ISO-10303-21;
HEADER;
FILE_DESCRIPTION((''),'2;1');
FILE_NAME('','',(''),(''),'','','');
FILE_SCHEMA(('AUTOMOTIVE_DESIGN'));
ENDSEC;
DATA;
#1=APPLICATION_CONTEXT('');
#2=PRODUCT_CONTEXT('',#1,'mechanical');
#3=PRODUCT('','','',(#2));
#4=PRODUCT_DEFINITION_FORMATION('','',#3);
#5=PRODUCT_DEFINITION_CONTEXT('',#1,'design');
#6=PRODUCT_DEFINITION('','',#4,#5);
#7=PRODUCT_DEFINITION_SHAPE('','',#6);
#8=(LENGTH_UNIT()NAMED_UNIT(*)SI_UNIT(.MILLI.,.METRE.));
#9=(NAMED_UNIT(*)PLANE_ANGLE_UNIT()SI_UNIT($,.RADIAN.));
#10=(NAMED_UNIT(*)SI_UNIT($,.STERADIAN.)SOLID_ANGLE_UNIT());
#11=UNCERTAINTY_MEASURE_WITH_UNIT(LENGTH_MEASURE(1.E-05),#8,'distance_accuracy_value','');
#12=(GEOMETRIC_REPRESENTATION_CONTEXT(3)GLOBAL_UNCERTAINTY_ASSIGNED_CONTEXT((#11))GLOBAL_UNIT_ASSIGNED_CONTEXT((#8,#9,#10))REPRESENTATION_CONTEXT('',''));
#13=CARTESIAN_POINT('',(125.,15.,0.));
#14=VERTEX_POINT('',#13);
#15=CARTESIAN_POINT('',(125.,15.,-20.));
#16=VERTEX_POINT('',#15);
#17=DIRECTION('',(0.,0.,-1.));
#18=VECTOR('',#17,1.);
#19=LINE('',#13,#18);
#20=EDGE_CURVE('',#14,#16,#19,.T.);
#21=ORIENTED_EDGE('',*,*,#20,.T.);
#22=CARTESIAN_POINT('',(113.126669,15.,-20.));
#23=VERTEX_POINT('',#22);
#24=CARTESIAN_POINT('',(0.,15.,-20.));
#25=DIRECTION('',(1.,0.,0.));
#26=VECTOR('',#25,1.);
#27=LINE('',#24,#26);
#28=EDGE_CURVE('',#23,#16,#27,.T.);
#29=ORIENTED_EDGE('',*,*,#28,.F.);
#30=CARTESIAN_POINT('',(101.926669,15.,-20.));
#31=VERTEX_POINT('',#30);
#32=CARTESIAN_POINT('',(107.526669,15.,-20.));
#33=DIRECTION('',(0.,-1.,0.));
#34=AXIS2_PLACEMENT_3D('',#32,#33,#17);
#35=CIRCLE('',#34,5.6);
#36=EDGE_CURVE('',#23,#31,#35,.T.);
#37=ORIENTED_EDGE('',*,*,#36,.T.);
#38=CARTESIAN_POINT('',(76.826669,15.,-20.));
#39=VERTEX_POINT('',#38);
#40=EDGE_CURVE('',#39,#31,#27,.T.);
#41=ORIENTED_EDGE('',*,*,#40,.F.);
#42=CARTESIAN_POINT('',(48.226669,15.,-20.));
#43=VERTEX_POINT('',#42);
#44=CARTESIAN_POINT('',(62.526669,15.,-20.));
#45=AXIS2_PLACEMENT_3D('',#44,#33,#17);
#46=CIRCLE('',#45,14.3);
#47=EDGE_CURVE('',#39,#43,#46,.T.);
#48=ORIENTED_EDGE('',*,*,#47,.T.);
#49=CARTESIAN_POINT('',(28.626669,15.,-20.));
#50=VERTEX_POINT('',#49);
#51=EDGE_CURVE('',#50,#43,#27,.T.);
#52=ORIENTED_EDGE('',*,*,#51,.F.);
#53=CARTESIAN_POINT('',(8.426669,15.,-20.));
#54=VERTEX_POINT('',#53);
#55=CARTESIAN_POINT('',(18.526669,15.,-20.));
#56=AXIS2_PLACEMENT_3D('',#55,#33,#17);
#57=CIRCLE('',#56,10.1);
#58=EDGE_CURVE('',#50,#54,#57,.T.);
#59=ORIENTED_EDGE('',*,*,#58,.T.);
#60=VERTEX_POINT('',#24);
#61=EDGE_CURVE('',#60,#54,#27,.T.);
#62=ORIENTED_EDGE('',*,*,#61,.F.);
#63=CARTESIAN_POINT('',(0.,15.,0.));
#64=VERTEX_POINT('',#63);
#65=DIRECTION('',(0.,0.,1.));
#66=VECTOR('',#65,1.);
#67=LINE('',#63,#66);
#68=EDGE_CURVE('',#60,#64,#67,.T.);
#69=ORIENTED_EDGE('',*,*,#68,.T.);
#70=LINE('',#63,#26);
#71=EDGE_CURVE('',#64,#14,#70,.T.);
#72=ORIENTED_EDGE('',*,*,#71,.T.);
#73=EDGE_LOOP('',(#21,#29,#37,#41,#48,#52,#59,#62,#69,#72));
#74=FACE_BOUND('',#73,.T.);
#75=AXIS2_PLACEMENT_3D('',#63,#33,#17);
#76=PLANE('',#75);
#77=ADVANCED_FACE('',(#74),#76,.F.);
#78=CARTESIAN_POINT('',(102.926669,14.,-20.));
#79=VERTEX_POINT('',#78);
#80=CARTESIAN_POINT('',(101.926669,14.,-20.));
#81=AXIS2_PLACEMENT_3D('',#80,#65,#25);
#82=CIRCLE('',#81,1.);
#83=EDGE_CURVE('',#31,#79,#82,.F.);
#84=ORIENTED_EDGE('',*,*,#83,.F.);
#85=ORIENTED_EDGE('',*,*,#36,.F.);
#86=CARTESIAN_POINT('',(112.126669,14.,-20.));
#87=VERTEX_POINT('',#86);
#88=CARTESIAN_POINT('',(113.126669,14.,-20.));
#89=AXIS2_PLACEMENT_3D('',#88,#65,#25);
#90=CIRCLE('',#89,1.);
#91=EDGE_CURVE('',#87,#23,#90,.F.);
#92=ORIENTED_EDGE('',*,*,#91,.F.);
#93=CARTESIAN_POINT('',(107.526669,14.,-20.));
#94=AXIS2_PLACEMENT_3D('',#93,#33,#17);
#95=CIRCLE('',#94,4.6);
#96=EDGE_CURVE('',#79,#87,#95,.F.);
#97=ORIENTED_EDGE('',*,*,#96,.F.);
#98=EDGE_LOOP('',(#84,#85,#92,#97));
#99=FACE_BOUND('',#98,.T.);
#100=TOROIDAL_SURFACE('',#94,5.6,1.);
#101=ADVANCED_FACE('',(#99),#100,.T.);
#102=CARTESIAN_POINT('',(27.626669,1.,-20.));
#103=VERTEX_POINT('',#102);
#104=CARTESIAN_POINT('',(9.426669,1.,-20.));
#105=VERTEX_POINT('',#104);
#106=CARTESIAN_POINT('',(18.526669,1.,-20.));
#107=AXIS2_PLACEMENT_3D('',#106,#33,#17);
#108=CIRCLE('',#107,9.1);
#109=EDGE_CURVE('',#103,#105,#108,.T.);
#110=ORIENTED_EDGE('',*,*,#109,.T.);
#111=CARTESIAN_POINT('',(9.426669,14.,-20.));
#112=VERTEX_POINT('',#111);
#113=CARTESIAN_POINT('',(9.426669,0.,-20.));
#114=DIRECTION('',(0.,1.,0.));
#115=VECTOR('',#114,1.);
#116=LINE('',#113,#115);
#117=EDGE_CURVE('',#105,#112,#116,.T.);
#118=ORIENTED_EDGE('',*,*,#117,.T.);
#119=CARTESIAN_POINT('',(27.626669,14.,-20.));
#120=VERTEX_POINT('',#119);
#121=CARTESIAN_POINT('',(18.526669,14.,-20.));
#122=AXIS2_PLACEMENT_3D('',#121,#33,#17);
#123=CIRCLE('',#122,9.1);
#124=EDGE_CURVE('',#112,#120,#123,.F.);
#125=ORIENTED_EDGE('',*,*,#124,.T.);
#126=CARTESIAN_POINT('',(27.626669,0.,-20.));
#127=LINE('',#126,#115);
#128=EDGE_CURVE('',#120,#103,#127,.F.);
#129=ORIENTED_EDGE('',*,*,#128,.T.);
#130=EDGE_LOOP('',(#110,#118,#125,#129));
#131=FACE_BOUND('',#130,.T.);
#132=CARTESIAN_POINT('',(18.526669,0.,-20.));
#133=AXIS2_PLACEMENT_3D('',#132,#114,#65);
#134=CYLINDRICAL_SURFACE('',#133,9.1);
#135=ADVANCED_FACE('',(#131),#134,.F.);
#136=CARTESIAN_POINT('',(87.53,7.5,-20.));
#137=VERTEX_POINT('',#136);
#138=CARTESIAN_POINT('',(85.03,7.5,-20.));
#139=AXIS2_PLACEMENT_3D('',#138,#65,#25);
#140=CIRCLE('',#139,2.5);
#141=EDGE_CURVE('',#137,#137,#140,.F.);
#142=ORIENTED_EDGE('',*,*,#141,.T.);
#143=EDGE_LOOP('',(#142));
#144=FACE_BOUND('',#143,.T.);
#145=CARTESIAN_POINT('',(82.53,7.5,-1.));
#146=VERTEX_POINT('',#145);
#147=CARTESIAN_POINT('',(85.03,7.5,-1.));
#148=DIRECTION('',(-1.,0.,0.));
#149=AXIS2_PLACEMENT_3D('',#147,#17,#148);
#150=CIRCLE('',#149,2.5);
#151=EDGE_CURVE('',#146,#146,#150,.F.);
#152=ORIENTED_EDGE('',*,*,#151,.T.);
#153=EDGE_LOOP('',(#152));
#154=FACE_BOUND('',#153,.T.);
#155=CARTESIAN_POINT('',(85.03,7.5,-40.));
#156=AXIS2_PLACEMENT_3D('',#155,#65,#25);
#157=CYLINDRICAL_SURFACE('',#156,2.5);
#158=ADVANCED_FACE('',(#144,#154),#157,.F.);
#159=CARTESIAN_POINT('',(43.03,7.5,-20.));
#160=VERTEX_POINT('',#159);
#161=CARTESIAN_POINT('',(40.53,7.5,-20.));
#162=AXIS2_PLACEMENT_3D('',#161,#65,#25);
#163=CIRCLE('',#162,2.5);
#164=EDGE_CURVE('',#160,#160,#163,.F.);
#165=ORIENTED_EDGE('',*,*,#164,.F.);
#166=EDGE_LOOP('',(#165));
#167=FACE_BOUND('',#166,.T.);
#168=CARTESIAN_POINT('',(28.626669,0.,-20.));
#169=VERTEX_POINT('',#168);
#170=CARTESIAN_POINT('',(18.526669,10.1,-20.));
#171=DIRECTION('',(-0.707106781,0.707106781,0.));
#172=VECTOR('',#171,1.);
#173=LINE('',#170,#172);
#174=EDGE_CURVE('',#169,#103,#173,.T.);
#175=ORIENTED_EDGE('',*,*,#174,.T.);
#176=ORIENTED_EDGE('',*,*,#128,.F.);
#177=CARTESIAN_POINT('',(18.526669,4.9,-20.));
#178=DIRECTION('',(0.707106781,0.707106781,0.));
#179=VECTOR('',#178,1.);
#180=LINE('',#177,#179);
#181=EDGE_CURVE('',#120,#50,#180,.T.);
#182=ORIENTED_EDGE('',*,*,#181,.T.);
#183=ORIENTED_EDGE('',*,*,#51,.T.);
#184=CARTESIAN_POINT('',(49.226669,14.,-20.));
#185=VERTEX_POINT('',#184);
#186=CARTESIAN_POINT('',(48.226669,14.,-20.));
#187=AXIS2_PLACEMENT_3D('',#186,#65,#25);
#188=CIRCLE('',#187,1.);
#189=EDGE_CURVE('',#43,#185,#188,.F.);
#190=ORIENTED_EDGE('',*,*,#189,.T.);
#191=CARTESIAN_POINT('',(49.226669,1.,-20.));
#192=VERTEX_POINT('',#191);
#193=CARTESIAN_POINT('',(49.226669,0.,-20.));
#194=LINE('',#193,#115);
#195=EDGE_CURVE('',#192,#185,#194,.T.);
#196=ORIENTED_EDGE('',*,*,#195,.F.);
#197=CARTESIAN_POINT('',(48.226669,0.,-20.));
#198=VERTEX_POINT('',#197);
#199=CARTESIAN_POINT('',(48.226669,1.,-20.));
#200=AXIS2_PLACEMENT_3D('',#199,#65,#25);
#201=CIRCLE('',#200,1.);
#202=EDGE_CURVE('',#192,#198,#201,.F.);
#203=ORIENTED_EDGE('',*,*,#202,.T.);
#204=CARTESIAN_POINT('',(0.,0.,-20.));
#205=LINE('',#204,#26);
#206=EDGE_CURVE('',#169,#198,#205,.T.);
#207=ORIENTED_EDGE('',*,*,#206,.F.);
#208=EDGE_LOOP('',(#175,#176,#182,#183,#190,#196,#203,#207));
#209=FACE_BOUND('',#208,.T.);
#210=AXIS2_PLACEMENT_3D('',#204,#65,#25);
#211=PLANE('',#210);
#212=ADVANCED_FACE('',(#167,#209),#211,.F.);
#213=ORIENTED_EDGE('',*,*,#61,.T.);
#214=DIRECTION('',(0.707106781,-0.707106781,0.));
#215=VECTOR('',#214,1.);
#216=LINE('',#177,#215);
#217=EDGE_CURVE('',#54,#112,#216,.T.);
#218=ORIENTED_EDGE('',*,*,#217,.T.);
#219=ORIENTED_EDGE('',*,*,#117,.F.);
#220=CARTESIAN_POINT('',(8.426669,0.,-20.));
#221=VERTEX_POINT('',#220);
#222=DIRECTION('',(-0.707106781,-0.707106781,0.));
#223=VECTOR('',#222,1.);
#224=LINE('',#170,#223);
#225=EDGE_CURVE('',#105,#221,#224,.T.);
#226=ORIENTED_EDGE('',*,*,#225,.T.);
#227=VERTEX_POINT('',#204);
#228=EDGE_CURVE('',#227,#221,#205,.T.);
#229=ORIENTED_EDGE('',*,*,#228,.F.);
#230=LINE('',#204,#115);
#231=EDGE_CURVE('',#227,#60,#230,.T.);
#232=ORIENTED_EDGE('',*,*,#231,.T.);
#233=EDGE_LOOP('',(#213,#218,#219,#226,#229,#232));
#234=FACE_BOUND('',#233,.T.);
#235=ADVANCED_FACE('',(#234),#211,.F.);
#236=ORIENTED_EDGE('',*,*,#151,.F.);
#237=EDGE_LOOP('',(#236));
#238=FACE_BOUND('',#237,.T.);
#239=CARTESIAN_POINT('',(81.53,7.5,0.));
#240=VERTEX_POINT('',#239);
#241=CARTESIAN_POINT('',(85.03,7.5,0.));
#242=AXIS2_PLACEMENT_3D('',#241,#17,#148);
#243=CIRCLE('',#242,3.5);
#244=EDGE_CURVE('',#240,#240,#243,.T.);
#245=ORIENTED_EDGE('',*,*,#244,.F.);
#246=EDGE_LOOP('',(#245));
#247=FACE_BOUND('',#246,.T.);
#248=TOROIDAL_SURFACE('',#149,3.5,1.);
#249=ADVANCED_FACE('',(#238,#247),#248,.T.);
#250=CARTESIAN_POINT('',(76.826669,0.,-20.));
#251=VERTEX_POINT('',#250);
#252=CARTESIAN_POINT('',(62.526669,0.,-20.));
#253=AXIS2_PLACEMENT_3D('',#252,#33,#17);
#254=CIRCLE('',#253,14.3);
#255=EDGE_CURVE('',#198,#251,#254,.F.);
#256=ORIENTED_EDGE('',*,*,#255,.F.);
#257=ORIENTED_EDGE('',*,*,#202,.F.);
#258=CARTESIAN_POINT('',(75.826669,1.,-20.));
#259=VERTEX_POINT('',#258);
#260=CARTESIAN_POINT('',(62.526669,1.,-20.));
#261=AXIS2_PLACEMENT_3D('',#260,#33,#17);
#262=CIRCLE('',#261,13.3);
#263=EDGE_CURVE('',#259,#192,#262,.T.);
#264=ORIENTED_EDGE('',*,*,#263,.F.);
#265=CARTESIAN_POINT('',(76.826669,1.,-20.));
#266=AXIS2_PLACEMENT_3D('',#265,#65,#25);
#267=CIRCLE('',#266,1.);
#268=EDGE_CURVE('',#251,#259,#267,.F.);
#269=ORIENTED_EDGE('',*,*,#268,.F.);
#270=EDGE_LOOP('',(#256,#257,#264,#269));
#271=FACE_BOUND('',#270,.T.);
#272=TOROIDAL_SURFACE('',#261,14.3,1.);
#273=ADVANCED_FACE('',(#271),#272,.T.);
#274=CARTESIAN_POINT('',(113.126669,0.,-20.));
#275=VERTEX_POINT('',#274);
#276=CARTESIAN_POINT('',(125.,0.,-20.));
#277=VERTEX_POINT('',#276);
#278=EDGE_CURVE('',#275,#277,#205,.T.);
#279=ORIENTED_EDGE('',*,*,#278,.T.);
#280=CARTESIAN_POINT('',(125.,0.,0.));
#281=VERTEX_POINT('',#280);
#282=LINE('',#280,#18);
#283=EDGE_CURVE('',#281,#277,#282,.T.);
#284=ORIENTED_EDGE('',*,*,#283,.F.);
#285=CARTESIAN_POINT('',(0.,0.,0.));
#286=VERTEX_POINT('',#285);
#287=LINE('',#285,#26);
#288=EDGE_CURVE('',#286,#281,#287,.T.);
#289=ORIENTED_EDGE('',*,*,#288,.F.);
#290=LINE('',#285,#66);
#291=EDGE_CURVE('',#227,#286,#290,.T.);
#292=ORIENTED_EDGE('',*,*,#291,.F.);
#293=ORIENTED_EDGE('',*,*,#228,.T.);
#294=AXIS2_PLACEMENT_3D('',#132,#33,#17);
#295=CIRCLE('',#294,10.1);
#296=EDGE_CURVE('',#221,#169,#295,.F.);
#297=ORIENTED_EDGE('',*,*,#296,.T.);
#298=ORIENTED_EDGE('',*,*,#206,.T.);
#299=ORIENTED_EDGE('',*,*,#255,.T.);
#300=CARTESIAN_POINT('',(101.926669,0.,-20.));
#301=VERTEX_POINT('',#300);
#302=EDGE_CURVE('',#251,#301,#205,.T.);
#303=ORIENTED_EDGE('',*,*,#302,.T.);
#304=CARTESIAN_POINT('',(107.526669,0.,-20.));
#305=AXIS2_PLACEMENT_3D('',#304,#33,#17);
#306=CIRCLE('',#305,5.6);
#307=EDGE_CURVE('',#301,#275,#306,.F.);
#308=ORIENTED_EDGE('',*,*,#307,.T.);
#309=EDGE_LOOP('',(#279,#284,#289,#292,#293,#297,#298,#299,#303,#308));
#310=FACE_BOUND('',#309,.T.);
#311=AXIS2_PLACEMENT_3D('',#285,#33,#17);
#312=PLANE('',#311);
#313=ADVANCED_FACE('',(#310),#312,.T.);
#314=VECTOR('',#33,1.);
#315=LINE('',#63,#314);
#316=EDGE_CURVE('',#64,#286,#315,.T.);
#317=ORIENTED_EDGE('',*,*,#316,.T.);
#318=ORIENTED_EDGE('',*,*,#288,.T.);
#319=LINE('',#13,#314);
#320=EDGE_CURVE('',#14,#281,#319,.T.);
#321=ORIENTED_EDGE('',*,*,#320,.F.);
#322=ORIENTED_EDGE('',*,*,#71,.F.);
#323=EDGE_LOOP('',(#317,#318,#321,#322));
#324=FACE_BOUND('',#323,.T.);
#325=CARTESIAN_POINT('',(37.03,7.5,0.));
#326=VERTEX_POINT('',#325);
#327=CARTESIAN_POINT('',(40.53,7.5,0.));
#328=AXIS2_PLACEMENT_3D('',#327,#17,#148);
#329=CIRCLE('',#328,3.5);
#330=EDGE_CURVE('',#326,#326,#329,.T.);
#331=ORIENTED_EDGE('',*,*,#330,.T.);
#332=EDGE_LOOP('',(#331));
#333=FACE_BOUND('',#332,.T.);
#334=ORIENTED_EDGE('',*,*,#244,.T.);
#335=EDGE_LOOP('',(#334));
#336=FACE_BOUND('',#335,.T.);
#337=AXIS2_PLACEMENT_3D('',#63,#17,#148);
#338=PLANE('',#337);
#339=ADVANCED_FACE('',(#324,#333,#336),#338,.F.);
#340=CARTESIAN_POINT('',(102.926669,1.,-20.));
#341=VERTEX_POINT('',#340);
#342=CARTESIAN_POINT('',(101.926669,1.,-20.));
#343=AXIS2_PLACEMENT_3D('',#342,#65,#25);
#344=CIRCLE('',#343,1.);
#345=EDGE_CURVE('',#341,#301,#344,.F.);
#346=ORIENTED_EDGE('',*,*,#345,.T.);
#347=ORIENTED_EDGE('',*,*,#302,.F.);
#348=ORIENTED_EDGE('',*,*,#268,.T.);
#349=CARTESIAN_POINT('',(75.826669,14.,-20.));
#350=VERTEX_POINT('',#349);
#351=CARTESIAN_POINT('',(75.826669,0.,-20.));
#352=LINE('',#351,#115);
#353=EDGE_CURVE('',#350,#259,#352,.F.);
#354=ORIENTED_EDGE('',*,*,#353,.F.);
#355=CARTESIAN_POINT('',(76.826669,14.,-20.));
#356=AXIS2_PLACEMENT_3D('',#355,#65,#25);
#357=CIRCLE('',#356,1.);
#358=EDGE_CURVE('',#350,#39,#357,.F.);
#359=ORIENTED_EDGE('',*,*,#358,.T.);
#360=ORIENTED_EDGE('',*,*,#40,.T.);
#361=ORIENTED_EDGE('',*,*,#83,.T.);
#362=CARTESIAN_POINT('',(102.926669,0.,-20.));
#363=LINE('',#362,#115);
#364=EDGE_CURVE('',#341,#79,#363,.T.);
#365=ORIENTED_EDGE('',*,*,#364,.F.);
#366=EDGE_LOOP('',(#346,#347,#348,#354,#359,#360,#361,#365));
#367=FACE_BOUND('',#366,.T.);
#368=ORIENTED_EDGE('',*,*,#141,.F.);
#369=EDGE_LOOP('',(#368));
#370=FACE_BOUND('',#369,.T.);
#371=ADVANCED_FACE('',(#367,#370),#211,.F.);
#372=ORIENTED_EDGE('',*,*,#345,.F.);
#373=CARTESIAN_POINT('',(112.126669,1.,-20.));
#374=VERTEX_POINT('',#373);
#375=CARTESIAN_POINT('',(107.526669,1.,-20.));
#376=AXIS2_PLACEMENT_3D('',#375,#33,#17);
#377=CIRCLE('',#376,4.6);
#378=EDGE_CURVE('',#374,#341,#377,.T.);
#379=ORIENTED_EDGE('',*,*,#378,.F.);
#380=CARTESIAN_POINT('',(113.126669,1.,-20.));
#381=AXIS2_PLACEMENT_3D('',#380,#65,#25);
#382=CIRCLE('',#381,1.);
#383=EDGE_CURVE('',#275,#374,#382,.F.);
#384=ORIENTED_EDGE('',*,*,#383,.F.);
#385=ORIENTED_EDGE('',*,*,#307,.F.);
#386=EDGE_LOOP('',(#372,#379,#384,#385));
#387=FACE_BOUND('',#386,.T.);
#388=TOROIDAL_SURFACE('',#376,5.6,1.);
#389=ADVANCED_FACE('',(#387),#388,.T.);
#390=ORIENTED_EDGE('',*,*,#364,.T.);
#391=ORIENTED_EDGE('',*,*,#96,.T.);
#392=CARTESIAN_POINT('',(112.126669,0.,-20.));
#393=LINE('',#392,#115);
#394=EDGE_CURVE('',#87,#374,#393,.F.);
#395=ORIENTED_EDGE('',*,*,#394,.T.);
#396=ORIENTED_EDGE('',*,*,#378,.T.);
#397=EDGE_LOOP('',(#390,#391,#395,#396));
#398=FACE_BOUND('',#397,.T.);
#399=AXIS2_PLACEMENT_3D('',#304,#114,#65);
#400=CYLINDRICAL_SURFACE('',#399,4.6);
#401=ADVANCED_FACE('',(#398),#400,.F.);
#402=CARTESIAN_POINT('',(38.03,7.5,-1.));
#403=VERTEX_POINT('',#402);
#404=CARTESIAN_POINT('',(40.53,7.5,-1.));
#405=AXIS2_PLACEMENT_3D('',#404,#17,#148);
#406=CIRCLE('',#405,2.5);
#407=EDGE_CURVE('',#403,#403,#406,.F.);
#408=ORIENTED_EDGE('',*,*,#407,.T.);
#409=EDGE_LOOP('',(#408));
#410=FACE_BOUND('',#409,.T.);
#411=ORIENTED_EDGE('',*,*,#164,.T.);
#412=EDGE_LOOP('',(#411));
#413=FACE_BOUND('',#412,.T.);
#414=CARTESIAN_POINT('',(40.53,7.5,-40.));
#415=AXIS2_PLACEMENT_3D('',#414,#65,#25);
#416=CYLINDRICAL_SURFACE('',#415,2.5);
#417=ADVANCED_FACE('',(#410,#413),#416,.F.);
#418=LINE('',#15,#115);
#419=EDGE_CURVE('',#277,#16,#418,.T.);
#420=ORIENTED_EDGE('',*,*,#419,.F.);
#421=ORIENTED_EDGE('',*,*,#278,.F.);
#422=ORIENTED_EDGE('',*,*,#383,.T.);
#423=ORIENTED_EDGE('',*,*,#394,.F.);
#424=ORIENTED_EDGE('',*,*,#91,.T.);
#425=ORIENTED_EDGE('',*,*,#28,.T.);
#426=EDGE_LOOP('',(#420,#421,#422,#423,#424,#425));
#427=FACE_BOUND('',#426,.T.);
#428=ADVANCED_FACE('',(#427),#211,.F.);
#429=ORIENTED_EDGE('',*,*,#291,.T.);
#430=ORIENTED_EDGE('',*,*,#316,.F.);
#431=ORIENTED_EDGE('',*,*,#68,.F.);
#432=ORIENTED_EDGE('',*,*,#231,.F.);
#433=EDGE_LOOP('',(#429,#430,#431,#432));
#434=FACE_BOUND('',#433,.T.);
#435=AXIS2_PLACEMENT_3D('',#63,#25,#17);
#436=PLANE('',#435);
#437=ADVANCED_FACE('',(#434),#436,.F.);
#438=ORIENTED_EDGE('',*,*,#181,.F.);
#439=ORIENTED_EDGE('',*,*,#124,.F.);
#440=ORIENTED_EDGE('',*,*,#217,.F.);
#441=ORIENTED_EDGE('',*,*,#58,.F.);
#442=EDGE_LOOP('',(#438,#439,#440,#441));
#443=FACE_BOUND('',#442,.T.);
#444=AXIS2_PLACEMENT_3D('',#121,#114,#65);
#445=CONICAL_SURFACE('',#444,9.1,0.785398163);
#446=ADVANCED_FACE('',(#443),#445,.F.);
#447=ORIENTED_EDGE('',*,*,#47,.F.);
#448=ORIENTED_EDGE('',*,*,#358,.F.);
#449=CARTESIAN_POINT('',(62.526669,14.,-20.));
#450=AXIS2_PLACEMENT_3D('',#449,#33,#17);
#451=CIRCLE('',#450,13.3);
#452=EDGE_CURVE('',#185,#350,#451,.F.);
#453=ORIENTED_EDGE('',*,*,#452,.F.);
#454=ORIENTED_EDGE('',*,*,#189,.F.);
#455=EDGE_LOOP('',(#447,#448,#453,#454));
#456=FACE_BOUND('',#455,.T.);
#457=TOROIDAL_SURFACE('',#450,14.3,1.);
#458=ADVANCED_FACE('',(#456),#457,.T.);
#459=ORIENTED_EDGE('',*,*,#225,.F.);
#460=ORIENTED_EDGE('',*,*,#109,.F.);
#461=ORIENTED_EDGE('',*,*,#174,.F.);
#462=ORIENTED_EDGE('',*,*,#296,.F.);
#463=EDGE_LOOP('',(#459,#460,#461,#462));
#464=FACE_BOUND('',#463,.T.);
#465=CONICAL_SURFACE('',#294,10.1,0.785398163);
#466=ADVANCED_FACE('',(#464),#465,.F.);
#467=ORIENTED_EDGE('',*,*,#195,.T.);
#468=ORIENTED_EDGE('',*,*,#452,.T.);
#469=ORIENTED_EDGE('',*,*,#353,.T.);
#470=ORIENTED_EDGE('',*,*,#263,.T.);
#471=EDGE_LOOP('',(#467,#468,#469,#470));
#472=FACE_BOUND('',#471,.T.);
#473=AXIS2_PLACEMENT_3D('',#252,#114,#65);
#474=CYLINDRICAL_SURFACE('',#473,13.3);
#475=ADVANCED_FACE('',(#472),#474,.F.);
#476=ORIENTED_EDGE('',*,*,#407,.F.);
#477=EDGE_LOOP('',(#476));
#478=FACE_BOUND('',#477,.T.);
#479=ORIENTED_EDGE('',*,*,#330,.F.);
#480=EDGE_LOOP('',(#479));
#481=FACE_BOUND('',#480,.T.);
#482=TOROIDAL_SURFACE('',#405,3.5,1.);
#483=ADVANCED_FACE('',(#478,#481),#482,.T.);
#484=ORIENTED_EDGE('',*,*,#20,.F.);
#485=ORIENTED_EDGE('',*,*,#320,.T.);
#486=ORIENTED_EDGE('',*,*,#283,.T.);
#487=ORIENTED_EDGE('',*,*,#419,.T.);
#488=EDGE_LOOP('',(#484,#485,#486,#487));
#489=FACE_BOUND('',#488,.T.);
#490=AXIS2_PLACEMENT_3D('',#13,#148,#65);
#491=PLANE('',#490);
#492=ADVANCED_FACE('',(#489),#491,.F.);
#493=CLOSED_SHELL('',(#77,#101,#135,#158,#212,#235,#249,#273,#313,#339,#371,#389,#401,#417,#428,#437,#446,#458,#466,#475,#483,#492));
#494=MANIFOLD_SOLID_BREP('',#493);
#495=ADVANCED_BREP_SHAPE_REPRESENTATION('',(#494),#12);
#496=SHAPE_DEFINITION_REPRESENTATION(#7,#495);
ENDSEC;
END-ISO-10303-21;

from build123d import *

# Parameters (mm, degrees)
SKETCH_1_W          = 125
SKETCH_1_H          = 40
EXTRUDE_1_DEPTH     = 15
SKETCH_2_R          = 9.1
SKETCH_2_R_2        = 4.6
SKETCH_2_R_3        = 13.3
CUT_EXTRUDE_1_DEPTH = 133.098448136
CHAMFER_1_SIZE      = 1
CHAMFER_2_SIZE      = 1
FILLET_1_R          = 1
SKETCH_3_R          = 2.5
CUT_EXTRUDE_2_DEPTH = 133.098448136
FILLET_2_R          = 1
SKETCH_5_W          = 130.4461144
SKETCH_5_H          = 31.847563365
CUT_EXTRUDE_3_DEPTH = 133.098448178


with BuildPart() as part:
    # 草圖1 → 填料-伸長1 (new body)
    with BuildSketch(Plane(origin=(0, 0, 0), x_dir=(1, 0, 0), z_dir=(0, 1, 0))):
        with Locations((62.5, 20)):
            Rectangle(SKETCH_1_W, SKETCH_1_H)
    extrude(amount=EXTRUDE_1_DEPTH)

    # 草圖2 → 除料-伸長1 (cut, through all)
    with BuildSketch(Plane(origin=(0, 15, 0), x_dir=(1, 0, 0), z_dir=(0, 1, 0))):
        with Locations(Location((18.526668527, 20, 0), (0, 0, 270))):
            Circle(SKETCH_2_R)
        with Locations(Location((107.526668527, 20, 0), (0, 0, 270))):
            Circle(SKETCH_2_R_2)
        with Locations(Location((62.526668527, 20, 0), (0, 0, 270))):
            Circle(SKETCH_2_R_3)
    extrude(amount=-CUT_EXTRUDE_1_DEPTH, mode=Mode.SUBTRACT)

    # 導角1
    chamfer_1_edges = [part.edges().sort_by_distance(p)[0] for p in [
        (18.526668527, 15, -29.1),
    ]]
    chamfer(chamfer_1_edges, length=CHAMFER_1_SIZE)

    # 導角2
    chamfer_2_edges = [part.edges().sort_by_distance(p)[0] for p in [
        (18.526668527, 0, -29.1),
    ]]
    chamfer(chamfer_2_edges, length=CHAMFER_2_SIZE)

    # 圓角1
    fillet_1_edges = [part.edges().sort_by_distance(p)[0] for p in [
        (107.526668527, 0, -24.6),
        (107.526668527, 15, -24.6),
        (62.526668527, 0, -33.3),
        (62.526668527, 15, -33.3),
    ]]
    fillet(fillet_1_edges, radius=FILLET_1_R)

    # 草圖3 → 除料-伸長2 (cut, through all)
    with BuildSketch(Plane.XY):
        with Locations((40.53, 7.5)):
            Circle(SKETCH_3_R)
        with Locations((85.03, 7.5)):
            Circle(SKETCH_3_R)
    extrude(amount=-CUT_EXTRUDE_2_DEPTH, mode=Mode.SUBTRACT)

    # 圓角2
    fillet_2_edges = [part.edges().sort_by_distance(p)[0] for p in [
        (38.03, 7.5, -40),
        (38.03, 7.5, 0),
        (82.53, 7.5, -40),
        (82.53, 7.5, 0),
    ]]
    fillet(fillet_2_edges, radius=FILLET_2_R)

    # 草圖5 → 除料-伸長3 (cut, through all)
    with BuildSketch(Plane(origin=(0, 15, 0), x_dir=(1, 0, 0), z_dir=(0, 1, 0))):
        with Locations((65.2230572, 35.923781683)):
            Rectangle(SKETCH_5_W, SKETCH_5_H)
    extrude(amount=-CUT_EXTRUDE_3_DEPTH, mode=Mode.SUBTRACT)


solid = part.part
